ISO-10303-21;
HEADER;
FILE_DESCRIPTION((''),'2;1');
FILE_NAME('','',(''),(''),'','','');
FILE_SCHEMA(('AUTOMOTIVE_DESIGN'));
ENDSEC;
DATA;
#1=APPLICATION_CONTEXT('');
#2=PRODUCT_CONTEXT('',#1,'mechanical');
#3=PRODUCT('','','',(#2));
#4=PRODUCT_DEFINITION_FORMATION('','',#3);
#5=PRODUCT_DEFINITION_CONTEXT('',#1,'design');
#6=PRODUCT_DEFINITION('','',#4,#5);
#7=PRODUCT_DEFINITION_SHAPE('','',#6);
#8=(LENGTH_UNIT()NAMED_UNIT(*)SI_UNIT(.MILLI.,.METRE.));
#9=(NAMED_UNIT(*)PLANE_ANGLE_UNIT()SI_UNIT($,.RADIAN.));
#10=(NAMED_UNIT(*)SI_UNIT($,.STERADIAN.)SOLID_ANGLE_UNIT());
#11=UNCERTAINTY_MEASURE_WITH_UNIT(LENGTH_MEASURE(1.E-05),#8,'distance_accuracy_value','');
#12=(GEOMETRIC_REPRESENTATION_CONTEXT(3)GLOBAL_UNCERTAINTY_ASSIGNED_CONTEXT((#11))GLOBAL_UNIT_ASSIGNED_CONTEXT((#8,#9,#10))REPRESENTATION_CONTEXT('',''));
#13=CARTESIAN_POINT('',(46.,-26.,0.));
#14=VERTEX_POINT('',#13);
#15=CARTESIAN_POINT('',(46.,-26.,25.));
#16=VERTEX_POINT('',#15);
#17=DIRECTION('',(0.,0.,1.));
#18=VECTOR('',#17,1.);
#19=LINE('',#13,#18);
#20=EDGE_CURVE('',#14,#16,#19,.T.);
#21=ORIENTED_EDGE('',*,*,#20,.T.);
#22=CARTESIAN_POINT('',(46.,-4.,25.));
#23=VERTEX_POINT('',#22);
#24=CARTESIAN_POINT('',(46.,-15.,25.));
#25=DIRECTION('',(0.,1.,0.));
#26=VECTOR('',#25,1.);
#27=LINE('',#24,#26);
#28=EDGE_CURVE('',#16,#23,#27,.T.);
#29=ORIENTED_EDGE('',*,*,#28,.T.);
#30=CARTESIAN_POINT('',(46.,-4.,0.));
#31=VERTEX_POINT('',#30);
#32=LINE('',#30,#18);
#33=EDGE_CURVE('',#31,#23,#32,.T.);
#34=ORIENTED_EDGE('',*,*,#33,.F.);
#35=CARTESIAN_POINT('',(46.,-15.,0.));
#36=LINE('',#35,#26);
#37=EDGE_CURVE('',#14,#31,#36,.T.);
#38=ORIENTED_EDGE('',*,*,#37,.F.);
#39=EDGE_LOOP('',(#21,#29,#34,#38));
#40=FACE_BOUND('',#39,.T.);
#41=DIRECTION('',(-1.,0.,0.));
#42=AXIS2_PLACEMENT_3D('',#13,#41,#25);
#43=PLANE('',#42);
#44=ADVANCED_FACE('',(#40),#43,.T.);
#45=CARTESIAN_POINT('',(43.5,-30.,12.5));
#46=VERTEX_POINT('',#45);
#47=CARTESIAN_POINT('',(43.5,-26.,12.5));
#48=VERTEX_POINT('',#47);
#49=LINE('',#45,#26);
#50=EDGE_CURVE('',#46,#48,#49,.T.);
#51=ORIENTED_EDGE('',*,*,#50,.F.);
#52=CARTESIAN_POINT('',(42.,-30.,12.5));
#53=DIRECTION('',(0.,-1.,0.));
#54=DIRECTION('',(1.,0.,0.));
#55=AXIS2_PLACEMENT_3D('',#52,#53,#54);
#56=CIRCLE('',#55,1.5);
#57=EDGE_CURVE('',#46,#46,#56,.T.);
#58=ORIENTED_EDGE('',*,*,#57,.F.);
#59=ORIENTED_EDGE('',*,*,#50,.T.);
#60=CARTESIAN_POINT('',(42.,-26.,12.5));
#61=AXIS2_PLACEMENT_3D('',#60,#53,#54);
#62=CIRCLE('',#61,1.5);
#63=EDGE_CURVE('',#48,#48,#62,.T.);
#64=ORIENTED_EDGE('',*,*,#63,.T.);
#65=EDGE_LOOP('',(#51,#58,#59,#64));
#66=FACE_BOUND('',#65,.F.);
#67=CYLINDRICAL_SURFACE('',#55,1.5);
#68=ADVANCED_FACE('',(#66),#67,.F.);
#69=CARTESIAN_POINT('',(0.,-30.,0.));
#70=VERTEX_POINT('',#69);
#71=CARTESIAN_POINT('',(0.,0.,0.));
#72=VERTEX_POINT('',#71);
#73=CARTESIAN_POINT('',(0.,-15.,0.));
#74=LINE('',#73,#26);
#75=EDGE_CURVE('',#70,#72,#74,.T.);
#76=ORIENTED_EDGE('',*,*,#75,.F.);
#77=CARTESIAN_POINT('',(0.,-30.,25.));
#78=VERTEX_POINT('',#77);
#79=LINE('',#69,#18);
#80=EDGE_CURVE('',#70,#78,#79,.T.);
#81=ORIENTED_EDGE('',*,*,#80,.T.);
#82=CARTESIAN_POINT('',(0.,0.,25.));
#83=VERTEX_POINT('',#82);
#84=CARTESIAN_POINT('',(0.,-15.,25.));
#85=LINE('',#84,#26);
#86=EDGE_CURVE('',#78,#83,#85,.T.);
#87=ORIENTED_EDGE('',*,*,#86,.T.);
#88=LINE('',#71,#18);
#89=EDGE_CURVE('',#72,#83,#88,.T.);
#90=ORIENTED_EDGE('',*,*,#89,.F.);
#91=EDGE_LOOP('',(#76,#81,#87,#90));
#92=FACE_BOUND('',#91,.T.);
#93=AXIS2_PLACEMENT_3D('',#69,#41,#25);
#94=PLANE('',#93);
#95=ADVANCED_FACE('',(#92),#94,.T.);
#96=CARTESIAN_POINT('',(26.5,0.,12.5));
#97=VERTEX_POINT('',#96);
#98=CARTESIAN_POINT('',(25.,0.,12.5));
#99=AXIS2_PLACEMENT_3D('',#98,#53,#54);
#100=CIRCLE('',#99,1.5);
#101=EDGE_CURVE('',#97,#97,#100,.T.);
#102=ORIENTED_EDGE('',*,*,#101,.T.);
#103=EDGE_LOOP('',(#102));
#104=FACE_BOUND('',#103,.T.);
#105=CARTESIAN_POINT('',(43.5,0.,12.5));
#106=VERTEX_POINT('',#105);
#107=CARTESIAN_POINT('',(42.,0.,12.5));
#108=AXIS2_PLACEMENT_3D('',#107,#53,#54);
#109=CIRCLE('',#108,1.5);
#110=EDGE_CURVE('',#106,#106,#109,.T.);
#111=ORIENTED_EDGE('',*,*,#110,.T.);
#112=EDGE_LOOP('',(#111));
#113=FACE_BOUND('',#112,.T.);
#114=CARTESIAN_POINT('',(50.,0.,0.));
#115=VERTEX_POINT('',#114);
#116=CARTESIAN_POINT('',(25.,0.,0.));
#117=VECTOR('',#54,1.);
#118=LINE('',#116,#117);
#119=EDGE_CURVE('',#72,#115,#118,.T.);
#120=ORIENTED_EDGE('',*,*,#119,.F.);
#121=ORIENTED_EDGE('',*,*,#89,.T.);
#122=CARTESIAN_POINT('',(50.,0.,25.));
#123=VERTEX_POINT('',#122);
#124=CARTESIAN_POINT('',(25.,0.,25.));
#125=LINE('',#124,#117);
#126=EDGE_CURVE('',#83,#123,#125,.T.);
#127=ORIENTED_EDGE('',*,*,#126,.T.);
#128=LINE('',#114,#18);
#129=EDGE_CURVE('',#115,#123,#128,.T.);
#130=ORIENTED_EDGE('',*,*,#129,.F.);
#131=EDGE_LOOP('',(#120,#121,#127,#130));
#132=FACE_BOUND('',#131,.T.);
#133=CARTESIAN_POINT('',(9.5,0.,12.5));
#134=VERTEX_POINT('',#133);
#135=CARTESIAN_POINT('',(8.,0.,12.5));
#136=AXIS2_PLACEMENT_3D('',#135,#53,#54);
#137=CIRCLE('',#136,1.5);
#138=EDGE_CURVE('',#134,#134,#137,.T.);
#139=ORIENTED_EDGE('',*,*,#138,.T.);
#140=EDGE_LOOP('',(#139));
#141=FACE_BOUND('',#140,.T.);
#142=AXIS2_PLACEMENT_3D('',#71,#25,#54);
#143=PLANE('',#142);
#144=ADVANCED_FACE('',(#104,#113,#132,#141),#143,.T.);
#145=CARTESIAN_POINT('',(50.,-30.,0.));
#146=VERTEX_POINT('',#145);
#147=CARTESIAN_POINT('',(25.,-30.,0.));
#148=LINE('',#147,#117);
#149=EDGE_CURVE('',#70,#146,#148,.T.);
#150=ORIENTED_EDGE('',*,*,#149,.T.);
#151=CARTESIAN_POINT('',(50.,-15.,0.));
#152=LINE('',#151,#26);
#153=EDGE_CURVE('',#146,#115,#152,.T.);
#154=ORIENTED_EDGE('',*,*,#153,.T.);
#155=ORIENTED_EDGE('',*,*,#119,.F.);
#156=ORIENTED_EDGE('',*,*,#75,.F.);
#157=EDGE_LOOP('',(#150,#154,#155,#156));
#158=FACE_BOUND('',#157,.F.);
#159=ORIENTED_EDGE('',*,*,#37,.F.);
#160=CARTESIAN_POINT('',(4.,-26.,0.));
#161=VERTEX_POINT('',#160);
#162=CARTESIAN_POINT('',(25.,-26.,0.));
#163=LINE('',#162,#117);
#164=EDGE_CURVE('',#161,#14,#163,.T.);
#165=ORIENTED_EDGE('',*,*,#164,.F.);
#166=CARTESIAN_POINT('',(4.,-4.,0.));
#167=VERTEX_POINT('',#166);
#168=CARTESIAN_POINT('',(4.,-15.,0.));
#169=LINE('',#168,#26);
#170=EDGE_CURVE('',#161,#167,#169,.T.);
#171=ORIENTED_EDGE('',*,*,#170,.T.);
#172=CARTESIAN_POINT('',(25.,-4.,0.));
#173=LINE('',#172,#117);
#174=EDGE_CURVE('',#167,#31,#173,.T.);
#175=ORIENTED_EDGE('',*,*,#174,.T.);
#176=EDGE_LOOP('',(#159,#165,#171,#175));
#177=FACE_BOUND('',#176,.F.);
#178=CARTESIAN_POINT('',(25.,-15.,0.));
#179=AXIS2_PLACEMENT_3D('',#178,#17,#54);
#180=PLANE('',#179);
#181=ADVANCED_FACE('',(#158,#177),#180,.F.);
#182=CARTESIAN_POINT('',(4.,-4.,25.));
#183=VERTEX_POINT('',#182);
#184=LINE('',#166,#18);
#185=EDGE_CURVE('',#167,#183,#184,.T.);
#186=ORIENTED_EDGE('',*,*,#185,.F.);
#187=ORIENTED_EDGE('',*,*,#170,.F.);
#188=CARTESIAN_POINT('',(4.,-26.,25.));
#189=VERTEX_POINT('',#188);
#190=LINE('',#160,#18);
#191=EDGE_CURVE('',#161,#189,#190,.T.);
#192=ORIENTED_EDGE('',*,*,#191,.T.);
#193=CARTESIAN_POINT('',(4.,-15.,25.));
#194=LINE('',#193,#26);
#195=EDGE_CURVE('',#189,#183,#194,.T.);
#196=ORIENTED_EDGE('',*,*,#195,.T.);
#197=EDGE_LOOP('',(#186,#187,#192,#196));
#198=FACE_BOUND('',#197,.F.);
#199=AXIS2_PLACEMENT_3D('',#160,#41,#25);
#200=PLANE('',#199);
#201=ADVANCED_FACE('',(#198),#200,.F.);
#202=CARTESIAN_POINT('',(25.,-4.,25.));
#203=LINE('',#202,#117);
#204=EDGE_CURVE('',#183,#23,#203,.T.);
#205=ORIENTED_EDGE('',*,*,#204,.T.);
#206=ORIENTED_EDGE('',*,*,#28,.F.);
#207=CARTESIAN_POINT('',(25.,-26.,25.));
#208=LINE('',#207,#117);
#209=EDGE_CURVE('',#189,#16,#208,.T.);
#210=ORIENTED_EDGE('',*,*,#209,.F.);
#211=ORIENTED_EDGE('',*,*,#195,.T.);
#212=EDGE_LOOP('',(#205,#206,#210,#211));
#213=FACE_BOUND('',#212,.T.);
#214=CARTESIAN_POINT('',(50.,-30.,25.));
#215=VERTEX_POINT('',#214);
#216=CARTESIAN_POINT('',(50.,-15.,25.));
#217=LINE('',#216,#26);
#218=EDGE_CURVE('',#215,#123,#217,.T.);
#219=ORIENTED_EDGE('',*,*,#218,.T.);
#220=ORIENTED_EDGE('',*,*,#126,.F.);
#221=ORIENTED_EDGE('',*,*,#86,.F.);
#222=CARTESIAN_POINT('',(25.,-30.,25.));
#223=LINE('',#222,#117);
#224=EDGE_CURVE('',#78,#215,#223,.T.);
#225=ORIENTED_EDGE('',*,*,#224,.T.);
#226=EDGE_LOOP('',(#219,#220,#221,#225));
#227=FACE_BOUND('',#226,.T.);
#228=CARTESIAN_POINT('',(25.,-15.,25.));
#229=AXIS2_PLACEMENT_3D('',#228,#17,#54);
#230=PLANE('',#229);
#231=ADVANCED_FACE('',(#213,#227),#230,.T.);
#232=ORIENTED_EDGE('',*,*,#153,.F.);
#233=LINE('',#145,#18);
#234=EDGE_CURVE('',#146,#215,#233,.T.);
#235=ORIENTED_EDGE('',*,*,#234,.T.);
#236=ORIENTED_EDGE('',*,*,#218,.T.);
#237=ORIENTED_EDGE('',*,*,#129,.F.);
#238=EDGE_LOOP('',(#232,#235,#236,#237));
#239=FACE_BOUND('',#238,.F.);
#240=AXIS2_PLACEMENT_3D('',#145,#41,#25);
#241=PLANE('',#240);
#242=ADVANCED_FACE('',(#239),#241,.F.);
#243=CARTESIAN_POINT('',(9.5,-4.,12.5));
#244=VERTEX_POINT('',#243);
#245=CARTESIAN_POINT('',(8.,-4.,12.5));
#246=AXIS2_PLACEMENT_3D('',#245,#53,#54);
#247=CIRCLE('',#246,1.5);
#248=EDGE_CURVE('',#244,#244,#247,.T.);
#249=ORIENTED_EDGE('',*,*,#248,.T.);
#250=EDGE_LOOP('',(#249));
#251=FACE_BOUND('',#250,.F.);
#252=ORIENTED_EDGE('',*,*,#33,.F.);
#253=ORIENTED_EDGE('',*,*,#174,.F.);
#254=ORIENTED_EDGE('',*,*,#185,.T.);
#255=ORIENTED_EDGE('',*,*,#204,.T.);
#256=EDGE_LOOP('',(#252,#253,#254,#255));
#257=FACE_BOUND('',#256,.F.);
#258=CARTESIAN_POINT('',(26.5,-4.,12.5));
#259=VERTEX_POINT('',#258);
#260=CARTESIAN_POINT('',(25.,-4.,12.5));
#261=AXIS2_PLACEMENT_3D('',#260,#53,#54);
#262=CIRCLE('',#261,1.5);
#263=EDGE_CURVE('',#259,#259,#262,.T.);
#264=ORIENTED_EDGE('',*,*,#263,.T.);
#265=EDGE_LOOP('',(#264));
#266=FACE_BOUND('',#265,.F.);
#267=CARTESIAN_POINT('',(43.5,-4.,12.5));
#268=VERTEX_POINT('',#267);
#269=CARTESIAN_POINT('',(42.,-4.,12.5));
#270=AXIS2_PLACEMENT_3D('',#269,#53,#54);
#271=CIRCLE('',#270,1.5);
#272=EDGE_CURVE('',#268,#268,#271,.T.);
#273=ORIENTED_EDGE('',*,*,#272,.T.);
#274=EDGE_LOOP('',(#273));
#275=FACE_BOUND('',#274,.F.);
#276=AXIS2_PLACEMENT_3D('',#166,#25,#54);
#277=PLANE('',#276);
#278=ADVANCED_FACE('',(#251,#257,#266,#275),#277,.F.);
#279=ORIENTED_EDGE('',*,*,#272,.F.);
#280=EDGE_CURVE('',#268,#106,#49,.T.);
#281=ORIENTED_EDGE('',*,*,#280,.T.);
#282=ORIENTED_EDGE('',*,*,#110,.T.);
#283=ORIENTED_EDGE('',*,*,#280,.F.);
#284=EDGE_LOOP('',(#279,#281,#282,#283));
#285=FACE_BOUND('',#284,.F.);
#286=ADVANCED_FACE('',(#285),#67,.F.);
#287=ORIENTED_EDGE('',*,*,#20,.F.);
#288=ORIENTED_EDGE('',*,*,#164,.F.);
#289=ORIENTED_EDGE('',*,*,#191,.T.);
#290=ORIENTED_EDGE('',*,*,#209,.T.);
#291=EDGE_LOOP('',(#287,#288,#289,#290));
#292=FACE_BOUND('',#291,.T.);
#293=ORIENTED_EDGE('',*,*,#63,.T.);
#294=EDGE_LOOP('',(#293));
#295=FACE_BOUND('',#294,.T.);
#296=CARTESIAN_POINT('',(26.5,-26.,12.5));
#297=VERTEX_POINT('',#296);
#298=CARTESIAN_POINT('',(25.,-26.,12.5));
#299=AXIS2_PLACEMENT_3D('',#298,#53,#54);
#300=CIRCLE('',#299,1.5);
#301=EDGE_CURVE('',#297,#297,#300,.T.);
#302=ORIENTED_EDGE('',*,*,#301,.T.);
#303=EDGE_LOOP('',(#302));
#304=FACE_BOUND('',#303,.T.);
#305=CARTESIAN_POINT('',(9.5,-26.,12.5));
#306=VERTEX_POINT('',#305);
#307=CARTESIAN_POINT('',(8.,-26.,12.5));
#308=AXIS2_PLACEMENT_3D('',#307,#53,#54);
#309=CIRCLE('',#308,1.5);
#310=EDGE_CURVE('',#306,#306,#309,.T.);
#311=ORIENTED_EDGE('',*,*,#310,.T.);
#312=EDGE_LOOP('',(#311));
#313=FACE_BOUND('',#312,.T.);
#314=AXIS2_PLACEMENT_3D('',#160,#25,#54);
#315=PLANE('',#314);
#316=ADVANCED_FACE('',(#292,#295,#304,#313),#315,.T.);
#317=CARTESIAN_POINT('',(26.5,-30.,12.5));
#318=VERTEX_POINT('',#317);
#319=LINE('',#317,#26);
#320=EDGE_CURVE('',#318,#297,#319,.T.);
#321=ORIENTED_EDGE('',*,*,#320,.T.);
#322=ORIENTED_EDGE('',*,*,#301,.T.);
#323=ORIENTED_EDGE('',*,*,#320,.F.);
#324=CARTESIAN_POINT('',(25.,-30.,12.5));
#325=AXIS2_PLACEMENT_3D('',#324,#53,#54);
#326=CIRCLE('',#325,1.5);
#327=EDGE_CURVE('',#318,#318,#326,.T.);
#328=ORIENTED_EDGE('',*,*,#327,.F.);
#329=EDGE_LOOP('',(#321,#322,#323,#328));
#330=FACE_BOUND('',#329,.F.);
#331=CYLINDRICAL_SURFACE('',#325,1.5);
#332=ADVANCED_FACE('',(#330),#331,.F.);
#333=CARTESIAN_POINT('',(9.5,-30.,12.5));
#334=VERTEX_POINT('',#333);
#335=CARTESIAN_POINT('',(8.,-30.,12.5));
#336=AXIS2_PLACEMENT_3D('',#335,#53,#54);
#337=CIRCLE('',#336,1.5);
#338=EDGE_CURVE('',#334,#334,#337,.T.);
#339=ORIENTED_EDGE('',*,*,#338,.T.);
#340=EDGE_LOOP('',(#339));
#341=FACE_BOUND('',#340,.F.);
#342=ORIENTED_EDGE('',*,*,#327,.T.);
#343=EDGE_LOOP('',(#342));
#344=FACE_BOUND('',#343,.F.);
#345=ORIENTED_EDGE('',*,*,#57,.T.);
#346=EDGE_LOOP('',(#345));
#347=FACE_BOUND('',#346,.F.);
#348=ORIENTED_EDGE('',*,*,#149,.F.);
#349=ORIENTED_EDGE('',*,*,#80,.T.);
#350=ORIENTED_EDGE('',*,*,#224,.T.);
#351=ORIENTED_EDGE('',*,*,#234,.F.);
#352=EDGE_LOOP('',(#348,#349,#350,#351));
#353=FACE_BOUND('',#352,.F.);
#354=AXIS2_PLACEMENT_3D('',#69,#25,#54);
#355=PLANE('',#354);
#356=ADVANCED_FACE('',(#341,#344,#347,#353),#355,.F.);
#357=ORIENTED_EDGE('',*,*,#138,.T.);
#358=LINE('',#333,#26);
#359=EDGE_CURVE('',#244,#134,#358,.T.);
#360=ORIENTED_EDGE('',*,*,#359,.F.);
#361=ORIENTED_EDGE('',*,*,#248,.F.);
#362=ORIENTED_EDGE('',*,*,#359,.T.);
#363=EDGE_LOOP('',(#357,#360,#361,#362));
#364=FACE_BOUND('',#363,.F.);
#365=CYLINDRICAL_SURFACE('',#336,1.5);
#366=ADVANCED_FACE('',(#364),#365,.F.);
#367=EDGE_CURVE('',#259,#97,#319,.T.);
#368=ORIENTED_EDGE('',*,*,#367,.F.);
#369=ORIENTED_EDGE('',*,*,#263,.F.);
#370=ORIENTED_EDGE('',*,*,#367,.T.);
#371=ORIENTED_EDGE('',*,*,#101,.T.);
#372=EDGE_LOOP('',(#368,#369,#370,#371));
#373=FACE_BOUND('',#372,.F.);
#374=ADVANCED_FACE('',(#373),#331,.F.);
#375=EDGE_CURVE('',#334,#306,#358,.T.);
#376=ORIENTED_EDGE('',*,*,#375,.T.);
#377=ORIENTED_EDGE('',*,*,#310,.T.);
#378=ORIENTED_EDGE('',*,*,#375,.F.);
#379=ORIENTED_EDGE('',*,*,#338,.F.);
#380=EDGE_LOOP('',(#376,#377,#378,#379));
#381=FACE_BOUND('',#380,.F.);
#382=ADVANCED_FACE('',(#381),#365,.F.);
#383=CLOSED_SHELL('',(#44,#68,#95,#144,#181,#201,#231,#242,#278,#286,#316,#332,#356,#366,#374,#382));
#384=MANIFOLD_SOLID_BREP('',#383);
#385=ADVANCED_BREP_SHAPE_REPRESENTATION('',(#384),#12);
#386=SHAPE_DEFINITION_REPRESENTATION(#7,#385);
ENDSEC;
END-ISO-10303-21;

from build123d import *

# Parameters (mm, degrees)
F0_W     = 50
F0_H     = 30
F0_W_2   = 42
F0_H_2   = 22
F1_DEPTH = 25
F2_R     = 1.5
F3_DEPTH = 35


with BuildPart() as f1:
    # F0 (on Top) → F1 (new body)
    with BuildSketch(Plane.XY):
        with Locations((25, -15)):
            Rectangle(F0_W, F0_H)
        with Locations((25, -15)):
            Rectangle(F0_W_2, F0_H_2, mode=Mode.SUBTRACT)
    extrude(amount=F1_DEPTH)

    # F2 (on face) → F3 (cut)
    with BuildSketch(Plane.XZ.offset(30)):
        with Locations((25, 12.5)):
            Circle(F2_R)
        with Locations((8, 12.5)):
            Circle(F2_R)
        with Locations((42, 12.5)):
            Circle(F2_R)
    extrude(amount=-F3_DEPTH, mode=Mode.SUBTRACT)


solid = f1.part
